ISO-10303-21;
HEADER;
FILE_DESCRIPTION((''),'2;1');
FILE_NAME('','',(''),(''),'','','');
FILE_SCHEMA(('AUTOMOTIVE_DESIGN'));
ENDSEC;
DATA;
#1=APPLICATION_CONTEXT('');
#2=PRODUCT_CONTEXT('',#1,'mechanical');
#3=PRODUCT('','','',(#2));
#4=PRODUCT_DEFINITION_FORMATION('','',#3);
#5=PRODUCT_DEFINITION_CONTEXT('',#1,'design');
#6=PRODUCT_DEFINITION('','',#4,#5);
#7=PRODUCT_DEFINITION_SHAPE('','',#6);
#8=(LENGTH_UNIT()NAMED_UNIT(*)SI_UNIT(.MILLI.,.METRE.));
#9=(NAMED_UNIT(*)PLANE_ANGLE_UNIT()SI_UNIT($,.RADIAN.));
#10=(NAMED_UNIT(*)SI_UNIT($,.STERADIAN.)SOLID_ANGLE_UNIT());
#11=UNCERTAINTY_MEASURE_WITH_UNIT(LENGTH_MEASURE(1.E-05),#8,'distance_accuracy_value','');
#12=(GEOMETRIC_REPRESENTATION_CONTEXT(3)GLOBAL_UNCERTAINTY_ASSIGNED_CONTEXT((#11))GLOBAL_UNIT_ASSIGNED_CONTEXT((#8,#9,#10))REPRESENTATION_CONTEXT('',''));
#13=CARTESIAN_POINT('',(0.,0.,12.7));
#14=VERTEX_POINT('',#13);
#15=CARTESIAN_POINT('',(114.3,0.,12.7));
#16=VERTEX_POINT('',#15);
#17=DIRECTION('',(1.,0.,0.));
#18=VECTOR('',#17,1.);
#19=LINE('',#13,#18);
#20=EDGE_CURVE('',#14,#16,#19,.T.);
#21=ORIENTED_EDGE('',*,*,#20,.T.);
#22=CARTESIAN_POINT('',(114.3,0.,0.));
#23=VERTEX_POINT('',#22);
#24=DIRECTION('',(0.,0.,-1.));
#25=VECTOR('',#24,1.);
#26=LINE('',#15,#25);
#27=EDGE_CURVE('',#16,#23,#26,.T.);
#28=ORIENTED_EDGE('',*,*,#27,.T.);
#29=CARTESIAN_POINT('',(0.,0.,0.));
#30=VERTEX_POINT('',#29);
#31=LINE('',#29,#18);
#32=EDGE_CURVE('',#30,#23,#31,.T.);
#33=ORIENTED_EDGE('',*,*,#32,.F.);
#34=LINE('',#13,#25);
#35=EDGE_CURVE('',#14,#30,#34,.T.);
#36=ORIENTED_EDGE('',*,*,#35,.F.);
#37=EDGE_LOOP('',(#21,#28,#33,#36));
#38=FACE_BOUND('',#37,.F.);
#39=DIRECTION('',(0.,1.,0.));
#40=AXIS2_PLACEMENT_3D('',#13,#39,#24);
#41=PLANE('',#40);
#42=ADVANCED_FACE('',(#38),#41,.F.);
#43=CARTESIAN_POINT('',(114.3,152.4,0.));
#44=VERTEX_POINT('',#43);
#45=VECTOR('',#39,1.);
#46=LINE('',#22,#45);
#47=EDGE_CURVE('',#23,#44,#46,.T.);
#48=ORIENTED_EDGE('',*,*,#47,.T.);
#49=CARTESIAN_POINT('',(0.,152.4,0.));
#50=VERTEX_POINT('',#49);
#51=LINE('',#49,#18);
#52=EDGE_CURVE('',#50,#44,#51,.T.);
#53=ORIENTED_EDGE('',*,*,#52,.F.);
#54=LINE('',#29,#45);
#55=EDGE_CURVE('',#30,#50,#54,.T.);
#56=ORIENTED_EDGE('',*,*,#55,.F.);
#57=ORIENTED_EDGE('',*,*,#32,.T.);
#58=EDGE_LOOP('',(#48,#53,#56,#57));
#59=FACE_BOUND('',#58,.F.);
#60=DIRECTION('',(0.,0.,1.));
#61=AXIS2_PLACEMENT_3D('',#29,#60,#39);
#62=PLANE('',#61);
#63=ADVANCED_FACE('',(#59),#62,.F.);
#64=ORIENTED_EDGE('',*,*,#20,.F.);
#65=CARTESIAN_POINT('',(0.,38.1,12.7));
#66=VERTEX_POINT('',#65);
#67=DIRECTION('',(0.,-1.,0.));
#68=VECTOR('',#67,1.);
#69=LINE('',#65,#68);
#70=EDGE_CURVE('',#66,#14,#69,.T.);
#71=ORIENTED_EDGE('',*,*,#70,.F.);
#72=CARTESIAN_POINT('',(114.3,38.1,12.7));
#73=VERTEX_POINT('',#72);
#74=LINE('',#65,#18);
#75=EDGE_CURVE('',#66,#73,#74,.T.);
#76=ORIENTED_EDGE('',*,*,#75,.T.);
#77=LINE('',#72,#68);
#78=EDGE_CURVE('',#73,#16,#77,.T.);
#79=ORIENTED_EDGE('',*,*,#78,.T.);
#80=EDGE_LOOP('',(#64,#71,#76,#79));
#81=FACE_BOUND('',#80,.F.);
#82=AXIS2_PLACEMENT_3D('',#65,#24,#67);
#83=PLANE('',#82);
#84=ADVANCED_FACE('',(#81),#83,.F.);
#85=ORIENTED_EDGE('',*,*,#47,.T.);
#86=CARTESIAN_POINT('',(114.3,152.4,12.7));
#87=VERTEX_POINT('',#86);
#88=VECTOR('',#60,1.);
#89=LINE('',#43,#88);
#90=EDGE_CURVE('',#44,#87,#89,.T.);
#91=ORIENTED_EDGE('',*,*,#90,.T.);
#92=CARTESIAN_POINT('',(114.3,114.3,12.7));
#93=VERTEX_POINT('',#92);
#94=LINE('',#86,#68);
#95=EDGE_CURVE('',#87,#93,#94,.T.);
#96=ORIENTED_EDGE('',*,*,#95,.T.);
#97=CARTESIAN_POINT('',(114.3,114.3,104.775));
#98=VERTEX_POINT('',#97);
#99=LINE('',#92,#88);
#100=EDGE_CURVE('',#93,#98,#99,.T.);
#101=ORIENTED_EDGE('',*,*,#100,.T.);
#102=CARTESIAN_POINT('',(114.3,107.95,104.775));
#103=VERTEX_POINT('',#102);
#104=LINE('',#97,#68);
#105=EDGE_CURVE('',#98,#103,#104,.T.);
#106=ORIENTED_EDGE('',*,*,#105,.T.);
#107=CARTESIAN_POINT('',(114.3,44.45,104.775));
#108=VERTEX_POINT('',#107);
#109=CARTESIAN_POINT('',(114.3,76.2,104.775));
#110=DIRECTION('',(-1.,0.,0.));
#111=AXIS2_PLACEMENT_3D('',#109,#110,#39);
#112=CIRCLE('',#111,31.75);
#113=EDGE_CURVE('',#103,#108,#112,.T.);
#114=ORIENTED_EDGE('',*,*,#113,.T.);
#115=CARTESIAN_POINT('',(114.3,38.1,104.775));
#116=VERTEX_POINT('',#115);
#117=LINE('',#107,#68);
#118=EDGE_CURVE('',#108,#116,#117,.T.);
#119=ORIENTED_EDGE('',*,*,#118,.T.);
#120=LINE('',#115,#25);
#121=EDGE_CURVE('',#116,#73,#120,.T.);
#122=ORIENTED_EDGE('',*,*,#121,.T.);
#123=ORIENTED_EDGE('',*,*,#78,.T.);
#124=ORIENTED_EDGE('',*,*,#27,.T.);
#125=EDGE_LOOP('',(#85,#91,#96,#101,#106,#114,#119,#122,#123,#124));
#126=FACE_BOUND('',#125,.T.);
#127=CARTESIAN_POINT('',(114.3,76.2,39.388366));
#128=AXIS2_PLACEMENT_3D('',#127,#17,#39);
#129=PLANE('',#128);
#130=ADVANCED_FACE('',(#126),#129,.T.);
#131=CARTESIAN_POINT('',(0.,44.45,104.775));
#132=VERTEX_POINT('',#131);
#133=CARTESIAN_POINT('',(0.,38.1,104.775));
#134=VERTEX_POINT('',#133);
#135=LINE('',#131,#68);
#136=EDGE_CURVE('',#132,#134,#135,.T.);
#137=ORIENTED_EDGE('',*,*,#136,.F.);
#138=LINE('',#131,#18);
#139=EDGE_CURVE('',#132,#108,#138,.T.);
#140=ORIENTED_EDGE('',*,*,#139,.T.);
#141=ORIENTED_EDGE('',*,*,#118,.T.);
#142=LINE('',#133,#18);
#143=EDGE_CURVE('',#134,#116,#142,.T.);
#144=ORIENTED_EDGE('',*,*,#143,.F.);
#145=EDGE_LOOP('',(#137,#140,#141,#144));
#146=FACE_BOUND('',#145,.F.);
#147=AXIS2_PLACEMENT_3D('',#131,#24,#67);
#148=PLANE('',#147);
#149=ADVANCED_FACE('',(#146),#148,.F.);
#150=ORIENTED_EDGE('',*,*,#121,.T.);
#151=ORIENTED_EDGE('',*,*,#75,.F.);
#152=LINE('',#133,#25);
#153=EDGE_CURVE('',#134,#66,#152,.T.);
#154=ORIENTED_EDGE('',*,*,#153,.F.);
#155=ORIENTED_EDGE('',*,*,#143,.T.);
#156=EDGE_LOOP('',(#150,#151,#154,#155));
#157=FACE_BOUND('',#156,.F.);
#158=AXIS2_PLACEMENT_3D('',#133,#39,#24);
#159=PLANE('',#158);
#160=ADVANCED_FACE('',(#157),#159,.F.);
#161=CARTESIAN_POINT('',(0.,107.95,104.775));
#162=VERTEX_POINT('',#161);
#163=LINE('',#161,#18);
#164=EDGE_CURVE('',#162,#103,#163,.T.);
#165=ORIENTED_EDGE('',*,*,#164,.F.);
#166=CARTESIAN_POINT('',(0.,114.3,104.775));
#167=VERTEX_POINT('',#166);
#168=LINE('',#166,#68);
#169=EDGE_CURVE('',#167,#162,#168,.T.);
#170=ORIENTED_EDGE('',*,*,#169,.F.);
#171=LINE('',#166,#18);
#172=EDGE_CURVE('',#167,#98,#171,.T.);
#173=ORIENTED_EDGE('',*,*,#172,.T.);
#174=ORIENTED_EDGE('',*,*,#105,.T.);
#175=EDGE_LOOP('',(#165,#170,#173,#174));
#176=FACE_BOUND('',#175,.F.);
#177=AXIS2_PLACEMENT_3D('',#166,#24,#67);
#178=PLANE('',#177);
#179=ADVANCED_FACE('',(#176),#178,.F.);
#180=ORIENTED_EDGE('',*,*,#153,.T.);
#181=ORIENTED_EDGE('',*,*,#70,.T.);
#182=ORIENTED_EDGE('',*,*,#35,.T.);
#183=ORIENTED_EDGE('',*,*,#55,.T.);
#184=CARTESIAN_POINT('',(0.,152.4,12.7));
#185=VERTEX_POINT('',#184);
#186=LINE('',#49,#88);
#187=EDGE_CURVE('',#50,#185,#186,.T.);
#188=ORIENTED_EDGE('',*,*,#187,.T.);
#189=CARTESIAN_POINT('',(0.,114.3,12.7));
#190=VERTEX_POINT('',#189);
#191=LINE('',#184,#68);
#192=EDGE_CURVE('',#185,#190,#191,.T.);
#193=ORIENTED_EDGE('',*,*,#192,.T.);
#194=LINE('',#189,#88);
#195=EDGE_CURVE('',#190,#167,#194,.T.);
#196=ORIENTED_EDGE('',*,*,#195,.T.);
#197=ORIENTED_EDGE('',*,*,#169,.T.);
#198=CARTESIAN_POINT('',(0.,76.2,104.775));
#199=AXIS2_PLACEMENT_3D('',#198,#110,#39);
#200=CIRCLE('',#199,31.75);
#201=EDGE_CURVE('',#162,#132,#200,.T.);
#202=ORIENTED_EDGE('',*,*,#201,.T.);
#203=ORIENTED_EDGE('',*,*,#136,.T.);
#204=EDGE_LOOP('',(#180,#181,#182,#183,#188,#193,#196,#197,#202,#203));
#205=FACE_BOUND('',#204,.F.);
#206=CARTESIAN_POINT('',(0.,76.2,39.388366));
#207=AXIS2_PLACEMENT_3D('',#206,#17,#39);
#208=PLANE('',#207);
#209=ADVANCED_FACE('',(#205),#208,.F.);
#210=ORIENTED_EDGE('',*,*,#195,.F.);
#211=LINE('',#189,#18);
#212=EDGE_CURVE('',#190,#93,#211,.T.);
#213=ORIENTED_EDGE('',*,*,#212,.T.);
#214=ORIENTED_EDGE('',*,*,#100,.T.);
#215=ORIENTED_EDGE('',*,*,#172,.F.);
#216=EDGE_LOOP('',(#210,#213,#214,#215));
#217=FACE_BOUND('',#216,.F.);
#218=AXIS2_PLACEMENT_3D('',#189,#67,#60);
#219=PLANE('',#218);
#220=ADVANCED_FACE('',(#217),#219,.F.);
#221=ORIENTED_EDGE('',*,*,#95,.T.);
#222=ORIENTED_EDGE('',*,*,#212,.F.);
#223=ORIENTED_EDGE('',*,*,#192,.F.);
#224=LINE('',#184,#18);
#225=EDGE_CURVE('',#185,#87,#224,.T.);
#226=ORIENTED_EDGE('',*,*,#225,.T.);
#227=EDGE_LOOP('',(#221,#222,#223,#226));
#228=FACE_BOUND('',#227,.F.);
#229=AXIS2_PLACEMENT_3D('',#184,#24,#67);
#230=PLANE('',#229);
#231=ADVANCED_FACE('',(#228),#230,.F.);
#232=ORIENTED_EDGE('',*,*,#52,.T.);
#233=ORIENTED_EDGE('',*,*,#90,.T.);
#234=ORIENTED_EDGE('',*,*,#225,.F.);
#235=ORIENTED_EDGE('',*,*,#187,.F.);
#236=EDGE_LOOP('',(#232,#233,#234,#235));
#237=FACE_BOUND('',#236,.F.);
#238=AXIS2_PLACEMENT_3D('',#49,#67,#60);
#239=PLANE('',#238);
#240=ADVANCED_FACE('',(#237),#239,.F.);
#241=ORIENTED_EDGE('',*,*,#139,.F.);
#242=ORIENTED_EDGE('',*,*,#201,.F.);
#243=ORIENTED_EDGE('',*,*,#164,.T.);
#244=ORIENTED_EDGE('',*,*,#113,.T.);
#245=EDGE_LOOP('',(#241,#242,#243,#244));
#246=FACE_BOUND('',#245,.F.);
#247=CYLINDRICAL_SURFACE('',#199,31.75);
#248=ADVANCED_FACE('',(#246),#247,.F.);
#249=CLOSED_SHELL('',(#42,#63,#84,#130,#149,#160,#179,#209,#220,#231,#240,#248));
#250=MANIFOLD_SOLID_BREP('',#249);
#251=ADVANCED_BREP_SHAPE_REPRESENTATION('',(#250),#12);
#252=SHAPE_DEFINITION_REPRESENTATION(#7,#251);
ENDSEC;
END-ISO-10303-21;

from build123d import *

# Parameters (mm, degrees)
F1_DEPTH = 114.3


with BuildPart() as f1:
    # F0 (on Right) → F1 (new body)
    with BuildSketch(Plane.YZ):
        with BuildLine():
            Line((0, 12.7), (0, 0))
            Line((0, 0), (152.4, 0))
            Line((152.4, 0), (152.4, 12.7))
            Line((152.4, 12.7), (114.3, 12.7))
            Line((114.3, 12.7), (114.3, 104.775))
            Line((114.3, 104.775), (107.95, 104.775))
            ThreePointArc((107.95, 104.775), (76.2, 73.025), (44.45, 104.775))
            Line((44.45, 104.775), (38.1, 104.775))
            Line((38.1, 104.775), (38.1, 12.7))
            Line((38.1, 12.7), (0, 12.7))
        make_face()
    extrude(amount=F1_DEPTH)


solid = f1.part
